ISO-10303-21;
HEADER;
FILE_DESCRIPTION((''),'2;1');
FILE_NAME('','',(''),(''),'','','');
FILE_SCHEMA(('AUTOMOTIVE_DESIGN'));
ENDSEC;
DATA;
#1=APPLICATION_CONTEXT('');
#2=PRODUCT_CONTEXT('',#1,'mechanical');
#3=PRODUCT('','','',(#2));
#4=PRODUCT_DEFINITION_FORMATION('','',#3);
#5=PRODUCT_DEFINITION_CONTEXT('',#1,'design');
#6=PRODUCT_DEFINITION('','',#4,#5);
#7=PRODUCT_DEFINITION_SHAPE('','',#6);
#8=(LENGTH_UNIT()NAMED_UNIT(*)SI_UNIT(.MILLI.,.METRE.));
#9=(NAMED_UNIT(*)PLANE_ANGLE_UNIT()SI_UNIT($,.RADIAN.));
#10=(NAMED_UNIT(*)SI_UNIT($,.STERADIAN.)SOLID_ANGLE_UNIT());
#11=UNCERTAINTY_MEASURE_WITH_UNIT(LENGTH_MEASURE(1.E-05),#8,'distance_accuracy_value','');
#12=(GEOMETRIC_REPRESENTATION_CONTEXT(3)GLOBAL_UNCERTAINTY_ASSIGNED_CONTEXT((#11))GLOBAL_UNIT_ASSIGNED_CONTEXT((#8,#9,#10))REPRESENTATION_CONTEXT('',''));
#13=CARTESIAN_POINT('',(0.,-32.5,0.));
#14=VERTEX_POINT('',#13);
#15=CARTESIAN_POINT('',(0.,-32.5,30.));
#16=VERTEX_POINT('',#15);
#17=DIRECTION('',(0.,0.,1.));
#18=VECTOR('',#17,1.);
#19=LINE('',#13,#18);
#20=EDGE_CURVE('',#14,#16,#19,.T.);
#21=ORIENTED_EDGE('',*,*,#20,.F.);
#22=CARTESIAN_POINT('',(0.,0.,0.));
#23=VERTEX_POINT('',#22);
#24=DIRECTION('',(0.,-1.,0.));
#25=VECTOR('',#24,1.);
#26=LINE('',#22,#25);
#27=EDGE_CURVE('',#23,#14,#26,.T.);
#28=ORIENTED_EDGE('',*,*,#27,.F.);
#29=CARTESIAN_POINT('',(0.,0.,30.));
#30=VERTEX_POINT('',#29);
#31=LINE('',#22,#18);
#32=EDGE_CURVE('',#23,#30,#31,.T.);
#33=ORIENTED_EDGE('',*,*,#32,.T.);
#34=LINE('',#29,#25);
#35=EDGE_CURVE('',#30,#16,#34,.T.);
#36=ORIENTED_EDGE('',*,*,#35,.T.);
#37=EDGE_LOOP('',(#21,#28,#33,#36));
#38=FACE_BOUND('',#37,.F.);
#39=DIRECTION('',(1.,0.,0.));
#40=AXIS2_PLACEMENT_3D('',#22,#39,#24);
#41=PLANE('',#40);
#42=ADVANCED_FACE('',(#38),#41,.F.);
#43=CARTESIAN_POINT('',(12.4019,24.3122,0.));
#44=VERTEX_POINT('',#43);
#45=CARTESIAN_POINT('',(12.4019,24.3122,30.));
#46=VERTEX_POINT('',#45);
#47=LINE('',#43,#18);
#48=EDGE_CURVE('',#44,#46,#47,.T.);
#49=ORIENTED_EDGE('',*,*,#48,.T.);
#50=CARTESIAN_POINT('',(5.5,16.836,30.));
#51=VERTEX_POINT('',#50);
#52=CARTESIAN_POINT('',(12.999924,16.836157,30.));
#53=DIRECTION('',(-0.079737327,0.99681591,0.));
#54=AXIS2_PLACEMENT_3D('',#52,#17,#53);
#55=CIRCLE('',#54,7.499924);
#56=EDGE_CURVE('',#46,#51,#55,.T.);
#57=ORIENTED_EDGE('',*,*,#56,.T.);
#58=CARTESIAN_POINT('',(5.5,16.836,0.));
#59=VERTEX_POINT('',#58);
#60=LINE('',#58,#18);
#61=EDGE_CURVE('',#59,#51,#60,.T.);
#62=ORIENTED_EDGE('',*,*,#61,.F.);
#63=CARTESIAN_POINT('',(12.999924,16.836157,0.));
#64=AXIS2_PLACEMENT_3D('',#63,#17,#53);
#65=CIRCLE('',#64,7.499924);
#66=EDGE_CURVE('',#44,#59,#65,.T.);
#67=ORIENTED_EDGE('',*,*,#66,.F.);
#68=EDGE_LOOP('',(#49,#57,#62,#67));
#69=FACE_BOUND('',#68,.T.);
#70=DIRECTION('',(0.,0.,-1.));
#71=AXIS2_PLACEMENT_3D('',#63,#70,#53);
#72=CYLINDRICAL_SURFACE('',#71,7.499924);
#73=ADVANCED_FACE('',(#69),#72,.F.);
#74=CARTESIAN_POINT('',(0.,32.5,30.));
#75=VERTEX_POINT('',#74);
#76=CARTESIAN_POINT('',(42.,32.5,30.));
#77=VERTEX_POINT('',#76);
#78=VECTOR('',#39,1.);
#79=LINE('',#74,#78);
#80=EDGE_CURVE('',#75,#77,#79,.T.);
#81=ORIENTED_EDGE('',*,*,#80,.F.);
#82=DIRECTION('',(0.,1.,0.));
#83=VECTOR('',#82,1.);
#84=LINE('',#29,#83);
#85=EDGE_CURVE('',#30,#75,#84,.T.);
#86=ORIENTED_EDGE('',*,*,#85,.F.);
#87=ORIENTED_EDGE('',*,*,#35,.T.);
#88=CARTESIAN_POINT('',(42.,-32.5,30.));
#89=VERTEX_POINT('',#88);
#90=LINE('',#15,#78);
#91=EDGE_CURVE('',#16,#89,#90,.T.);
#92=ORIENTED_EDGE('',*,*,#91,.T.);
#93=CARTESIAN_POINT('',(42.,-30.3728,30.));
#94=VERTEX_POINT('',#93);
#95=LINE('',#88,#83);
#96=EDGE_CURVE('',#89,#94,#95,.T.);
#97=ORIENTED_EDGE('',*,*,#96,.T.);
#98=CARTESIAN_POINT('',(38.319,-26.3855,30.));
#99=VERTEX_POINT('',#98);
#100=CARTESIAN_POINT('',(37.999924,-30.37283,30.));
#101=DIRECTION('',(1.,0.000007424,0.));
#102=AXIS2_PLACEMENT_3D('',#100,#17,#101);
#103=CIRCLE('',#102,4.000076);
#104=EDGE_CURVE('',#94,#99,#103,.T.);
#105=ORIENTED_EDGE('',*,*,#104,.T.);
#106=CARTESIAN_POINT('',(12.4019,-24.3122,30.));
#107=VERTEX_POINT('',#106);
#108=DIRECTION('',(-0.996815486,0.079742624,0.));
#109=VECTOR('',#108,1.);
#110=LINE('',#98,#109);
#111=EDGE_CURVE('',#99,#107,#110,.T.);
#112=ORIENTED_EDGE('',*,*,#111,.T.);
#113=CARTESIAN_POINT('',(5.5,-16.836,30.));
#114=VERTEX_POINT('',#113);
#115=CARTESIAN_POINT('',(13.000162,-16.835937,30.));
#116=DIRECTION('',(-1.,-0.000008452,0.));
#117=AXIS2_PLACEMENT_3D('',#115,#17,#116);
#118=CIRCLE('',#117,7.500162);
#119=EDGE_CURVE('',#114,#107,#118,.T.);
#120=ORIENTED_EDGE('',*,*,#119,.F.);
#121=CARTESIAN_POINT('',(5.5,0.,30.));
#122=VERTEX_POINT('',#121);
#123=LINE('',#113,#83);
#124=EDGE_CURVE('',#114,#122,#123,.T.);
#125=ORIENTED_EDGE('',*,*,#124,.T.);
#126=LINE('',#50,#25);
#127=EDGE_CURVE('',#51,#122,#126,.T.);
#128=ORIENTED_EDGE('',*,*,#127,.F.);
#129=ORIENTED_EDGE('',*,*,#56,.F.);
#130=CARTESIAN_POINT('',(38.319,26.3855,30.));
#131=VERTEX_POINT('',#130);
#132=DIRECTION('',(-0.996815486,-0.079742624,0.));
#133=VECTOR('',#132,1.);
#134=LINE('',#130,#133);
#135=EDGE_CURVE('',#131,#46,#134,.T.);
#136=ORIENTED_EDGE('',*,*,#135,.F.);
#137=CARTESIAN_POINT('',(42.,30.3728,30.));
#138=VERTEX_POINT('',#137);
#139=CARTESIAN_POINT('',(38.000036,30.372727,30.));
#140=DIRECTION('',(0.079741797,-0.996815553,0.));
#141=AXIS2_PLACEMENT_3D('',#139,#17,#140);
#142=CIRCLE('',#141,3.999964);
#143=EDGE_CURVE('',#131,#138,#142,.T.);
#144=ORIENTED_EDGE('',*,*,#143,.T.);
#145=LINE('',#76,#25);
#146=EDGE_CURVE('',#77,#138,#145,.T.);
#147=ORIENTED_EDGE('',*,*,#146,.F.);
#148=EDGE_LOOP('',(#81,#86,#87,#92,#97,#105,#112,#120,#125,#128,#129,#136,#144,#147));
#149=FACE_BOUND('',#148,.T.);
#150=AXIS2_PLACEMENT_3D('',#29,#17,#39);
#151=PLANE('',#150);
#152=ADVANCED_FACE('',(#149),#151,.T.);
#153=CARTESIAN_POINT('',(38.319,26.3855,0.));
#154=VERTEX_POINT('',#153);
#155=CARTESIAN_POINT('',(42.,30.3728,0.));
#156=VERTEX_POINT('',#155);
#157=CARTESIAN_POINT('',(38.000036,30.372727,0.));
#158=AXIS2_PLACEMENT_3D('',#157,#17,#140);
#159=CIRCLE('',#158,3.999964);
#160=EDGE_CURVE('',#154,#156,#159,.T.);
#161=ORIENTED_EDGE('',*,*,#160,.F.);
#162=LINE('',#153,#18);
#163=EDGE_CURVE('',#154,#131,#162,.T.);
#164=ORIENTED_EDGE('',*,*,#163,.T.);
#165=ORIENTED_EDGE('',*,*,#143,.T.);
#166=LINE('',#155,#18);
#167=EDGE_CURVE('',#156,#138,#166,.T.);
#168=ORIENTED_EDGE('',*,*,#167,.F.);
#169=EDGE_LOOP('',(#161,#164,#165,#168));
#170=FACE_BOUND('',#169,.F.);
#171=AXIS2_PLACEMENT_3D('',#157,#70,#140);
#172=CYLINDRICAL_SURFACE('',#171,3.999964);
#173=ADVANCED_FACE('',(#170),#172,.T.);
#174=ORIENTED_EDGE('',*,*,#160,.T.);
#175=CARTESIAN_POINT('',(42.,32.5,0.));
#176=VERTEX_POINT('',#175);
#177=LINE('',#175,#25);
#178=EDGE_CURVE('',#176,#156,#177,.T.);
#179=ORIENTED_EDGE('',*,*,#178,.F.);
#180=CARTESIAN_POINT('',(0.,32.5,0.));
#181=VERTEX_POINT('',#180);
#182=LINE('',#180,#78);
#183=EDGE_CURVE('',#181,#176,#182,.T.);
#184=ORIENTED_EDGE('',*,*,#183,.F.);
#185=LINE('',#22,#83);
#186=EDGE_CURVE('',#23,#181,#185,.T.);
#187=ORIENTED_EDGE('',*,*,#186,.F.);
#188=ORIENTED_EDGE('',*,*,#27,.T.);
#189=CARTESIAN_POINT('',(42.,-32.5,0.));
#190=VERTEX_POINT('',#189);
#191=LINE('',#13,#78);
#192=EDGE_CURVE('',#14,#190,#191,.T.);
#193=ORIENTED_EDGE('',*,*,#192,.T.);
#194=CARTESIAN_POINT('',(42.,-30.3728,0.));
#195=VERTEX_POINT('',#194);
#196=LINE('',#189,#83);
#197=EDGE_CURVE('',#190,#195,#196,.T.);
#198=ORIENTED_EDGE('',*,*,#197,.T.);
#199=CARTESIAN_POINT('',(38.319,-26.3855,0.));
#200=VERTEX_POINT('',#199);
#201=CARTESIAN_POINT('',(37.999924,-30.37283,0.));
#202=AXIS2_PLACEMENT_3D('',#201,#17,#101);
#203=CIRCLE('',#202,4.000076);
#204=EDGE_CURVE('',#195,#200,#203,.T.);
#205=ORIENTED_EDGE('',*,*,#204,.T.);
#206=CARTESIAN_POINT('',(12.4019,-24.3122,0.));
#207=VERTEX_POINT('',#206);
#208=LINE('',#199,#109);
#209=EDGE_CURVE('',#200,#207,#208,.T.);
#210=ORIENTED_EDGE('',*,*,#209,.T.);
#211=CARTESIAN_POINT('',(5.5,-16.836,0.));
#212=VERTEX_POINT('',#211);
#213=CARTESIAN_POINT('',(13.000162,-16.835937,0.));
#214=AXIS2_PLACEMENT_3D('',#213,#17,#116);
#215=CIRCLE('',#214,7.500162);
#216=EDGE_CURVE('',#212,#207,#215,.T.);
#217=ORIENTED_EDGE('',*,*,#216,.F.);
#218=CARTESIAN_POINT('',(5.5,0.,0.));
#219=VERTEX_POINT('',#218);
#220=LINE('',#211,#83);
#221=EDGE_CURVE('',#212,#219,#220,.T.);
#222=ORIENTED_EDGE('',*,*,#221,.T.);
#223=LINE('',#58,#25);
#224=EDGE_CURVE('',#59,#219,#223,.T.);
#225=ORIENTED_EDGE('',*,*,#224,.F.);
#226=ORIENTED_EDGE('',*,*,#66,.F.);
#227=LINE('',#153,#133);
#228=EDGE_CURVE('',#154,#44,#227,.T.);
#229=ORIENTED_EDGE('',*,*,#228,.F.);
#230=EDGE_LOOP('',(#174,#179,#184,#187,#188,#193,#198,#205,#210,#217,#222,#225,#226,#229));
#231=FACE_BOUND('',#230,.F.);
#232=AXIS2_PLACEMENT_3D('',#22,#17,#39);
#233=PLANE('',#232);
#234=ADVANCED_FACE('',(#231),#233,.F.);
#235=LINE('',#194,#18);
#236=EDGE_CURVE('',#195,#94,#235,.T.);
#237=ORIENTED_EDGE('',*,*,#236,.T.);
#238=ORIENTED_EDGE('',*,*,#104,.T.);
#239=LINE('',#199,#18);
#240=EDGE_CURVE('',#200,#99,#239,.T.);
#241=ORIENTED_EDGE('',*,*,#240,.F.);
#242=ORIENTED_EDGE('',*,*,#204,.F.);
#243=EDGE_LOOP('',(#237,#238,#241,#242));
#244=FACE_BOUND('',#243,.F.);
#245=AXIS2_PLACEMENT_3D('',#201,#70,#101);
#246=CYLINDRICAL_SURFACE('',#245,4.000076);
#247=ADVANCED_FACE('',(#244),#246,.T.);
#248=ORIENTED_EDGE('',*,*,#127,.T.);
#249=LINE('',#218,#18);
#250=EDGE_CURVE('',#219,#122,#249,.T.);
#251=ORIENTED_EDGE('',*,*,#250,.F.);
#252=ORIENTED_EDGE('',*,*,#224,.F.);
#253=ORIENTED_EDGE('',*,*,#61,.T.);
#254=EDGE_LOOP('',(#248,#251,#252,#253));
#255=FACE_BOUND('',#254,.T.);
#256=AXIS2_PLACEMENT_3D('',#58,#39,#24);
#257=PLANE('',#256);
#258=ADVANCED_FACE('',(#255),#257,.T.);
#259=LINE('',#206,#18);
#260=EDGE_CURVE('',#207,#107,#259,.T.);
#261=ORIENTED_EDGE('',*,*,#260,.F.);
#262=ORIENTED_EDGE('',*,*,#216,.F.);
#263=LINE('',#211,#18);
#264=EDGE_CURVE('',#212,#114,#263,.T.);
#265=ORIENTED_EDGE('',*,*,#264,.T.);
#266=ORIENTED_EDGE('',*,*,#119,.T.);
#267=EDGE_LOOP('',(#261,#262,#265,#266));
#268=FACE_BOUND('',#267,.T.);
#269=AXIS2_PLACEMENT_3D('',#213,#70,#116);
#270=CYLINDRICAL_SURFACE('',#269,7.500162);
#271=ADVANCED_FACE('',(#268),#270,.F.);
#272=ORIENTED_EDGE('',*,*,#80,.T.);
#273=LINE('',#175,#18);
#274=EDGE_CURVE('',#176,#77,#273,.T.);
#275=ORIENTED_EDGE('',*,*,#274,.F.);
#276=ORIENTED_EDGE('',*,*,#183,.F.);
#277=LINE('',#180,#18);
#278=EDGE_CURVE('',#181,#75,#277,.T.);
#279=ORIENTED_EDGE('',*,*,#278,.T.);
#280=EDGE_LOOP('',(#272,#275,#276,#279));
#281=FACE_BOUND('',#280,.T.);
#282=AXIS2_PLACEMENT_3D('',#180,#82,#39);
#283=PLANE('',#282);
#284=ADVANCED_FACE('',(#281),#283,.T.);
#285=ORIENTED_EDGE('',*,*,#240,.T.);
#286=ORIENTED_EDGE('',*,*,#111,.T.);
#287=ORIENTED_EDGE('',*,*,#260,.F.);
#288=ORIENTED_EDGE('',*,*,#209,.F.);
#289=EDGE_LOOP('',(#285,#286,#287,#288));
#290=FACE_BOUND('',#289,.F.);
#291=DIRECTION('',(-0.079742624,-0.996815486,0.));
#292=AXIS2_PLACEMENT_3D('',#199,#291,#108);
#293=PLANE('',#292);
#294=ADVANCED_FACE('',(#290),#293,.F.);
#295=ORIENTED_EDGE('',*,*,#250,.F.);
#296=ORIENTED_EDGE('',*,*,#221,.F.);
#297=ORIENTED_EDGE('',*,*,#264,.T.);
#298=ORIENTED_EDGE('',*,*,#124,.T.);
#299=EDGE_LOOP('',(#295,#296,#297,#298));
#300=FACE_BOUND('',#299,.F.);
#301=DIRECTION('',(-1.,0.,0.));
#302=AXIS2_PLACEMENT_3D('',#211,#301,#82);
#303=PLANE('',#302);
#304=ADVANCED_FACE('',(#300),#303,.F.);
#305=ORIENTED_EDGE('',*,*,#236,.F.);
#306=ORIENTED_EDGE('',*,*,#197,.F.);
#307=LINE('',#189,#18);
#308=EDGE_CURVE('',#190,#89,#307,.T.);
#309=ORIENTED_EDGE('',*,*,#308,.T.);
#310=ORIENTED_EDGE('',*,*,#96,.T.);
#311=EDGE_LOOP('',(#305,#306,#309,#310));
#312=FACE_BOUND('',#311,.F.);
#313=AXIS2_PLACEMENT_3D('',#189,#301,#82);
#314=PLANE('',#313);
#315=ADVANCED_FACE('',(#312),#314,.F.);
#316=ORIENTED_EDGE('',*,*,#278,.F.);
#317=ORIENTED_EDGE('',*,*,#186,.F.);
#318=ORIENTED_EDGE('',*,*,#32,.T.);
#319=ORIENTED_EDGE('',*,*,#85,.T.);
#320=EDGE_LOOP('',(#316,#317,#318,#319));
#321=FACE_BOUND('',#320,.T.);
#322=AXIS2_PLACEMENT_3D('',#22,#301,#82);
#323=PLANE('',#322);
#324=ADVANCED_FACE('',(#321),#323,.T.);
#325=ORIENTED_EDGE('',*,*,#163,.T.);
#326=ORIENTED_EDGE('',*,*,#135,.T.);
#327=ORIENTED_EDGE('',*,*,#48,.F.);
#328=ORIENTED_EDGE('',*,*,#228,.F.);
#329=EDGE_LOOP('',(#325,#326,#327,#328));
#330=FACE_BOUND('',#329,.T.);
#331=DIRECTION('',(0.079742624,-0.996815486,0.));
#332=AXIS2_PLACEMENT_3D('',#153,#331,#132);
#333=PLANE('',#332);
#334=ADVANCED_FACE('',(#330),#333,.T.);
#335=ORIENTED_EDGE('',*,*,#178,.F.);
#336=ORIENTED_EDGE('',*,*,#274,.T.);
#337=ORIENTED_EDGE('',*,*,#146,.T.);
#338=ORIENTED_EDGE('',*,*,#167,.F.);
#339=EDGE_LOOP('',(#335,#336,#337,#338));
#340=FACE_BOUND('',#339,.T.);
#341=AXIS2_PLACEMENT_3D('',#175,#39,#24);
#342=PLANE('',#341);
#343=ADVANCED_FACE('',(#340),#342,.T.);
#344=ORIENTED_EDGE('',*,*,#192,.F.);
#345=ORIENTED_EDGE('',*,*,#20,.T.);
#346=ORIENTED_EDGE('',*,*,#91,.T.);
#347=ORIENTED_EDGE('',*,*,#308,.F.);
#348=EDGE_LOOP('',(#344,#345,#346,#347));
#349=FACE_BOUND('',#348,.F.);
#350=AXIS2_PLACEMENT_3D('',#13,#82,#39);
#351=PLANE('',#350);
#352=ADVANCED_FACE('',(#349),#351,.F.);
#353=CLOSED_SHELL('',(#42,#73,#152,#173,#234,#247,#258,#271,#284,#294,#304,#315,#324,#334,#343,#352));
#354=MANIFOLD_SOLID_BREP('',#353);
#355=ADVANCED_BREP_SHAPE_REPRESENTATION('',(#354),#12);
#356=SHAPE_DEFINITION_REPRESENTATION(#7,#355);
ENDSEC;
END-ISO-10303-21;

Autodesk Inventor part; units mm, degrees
ref_plane "YZ Plane" through (0, 0, 0) normal (1, 0, 0) x (0, 1, 0)
ref_plane "Начальная плоскость" through (0, 0, 0) normal (0, 0, 1) x (1, 0, 0)
ref_plane "Конечная плоскость" through (0, 0, 30) normal (0, 0, 1) x (1, 0, 0)
sketch "Эскиз" plane through (0, 0, 0) normal (0, 0, 1) x (1, 0, 0)
  line L0 (0, 0) -> (0, 32.5)
  line L1 (0, 32.5) -> (42, 32.5)
  line L2 (42, 32.5) -> (42, 30.3728)
  line L3 (38.319, 26.3855) -> (12.4019, 24.3122)
  line L4 (5.5, 16.836) -> (5.5, 0)
  line L5 (5.5, 0) -> (0, 0) construction
  line L6 (21, 32.5) -> (21, 25) construction
  line L7 (42, 26.68) -> (42, 25) construction
  line L8 (42, 25) -> (21, 25) construction
  line L9 (0, 15) -> (0, -27) construction
  line L10 (-5.539, 0) -> (16.0067, 0) construction
  line L11 (0, 0) -> (0, -32.5)
  line L12 (0, -32.5) -> (42, -32.5)
  line L13 (42, -32.5) -> (42, -30.3728)
  line L14 (38.319, -26.3855) -> (12.4019, -24.3122)
  line L15 (5.5, -16.836) -> (5.5, 0)
  arc A0 (12.4019, 24.3122) -> (5.5, 16.836) centre (13, 16.836) ccw
  arc A1 (5.5, -16.836) -> (12.4019, -24.3122) centre (13, -16.836) ccw
  arc A2 (38.319, 26.3855) -> (42, 30.3728) centre (38, 30.3728) ccw
  arc A3 (42, -30.3728) -> (38.319, -26.3855) centre (38, -30.3728) ccw
  line L16 (0, 35.4) -> (0, -37.4) construction
  line L17 (-11.7637, 0) -> (31.8094, 0) construction
  point P0 (5.5, 23.76)
  point P1 (42, -26.68)
  point P2 (5.5, -23.76)
  point P3 (21, -32.5)
  point P4 (21, -25)
  dimension "d0" = 5.5
  dimension "d1" = 32.5
  dimension "d2" = 42
  dimension "d3" = 7.5
  dimension "d4" = 21
  dimension "d5" = 1.68
  dimension "d23" = 7.5
  dimension "d24" = 4
  dimension "d25" = 0
extrude "Базовый элемент" add sketch "Эскиз" along normal up to surface (30 mm away) from surface at 0
sketch "Sketch3" plane through (0, 0, 0) normal (0, 0, 1) x (1, 0, 0)
  line L0 (0, 0) -> (10, 0)
ref_plane "Work Plane3" through (0, 0, 0) normal (0, -1, 0) x (1, 0, 0)
sketch "Sketch4" plane through (0, 0, 0) normal (0, -1, 0) x (1, 0, 0)
  line L0 (-2, 0) -> (12, 0) projected
  line L1 (-2, 30) -> (12, 30) projected
  dimension "d29" = 30
equation "\"d0\" = G_T"
equation "\"d1\" = 0.5 * G_H"
equation "\"d2\" = G_W"
equation "\"d3\" = G_T1"
equation "\"d4\" = G_C"
equation "\"d23\" = G_IR"
equation "\"d24\" = G_ER"
equation "\"d6\" = G_L"
equation "\"G_W\" = 42"
equation "\"G_H\" = 65"
equation "\"G_T\" = 5.5"
equation "\"G_T1\" = 7.5"
equation "\"G_NG\" = 0.08"
equation "\"G_ER\" = 4"
equation "\"G_IR\" = 7.5"
equation "\"G_C\" = 21"
equation "\"G_L\" = d29"
equation "\"ex\" = 0"
equation "\"G_OFFSET_START\" = 0"
equation "\"G_OFFSET_END\" = 0"
properties part number "DIN1026-1 - U 65 - 30" material "Сталь, мягкая"
